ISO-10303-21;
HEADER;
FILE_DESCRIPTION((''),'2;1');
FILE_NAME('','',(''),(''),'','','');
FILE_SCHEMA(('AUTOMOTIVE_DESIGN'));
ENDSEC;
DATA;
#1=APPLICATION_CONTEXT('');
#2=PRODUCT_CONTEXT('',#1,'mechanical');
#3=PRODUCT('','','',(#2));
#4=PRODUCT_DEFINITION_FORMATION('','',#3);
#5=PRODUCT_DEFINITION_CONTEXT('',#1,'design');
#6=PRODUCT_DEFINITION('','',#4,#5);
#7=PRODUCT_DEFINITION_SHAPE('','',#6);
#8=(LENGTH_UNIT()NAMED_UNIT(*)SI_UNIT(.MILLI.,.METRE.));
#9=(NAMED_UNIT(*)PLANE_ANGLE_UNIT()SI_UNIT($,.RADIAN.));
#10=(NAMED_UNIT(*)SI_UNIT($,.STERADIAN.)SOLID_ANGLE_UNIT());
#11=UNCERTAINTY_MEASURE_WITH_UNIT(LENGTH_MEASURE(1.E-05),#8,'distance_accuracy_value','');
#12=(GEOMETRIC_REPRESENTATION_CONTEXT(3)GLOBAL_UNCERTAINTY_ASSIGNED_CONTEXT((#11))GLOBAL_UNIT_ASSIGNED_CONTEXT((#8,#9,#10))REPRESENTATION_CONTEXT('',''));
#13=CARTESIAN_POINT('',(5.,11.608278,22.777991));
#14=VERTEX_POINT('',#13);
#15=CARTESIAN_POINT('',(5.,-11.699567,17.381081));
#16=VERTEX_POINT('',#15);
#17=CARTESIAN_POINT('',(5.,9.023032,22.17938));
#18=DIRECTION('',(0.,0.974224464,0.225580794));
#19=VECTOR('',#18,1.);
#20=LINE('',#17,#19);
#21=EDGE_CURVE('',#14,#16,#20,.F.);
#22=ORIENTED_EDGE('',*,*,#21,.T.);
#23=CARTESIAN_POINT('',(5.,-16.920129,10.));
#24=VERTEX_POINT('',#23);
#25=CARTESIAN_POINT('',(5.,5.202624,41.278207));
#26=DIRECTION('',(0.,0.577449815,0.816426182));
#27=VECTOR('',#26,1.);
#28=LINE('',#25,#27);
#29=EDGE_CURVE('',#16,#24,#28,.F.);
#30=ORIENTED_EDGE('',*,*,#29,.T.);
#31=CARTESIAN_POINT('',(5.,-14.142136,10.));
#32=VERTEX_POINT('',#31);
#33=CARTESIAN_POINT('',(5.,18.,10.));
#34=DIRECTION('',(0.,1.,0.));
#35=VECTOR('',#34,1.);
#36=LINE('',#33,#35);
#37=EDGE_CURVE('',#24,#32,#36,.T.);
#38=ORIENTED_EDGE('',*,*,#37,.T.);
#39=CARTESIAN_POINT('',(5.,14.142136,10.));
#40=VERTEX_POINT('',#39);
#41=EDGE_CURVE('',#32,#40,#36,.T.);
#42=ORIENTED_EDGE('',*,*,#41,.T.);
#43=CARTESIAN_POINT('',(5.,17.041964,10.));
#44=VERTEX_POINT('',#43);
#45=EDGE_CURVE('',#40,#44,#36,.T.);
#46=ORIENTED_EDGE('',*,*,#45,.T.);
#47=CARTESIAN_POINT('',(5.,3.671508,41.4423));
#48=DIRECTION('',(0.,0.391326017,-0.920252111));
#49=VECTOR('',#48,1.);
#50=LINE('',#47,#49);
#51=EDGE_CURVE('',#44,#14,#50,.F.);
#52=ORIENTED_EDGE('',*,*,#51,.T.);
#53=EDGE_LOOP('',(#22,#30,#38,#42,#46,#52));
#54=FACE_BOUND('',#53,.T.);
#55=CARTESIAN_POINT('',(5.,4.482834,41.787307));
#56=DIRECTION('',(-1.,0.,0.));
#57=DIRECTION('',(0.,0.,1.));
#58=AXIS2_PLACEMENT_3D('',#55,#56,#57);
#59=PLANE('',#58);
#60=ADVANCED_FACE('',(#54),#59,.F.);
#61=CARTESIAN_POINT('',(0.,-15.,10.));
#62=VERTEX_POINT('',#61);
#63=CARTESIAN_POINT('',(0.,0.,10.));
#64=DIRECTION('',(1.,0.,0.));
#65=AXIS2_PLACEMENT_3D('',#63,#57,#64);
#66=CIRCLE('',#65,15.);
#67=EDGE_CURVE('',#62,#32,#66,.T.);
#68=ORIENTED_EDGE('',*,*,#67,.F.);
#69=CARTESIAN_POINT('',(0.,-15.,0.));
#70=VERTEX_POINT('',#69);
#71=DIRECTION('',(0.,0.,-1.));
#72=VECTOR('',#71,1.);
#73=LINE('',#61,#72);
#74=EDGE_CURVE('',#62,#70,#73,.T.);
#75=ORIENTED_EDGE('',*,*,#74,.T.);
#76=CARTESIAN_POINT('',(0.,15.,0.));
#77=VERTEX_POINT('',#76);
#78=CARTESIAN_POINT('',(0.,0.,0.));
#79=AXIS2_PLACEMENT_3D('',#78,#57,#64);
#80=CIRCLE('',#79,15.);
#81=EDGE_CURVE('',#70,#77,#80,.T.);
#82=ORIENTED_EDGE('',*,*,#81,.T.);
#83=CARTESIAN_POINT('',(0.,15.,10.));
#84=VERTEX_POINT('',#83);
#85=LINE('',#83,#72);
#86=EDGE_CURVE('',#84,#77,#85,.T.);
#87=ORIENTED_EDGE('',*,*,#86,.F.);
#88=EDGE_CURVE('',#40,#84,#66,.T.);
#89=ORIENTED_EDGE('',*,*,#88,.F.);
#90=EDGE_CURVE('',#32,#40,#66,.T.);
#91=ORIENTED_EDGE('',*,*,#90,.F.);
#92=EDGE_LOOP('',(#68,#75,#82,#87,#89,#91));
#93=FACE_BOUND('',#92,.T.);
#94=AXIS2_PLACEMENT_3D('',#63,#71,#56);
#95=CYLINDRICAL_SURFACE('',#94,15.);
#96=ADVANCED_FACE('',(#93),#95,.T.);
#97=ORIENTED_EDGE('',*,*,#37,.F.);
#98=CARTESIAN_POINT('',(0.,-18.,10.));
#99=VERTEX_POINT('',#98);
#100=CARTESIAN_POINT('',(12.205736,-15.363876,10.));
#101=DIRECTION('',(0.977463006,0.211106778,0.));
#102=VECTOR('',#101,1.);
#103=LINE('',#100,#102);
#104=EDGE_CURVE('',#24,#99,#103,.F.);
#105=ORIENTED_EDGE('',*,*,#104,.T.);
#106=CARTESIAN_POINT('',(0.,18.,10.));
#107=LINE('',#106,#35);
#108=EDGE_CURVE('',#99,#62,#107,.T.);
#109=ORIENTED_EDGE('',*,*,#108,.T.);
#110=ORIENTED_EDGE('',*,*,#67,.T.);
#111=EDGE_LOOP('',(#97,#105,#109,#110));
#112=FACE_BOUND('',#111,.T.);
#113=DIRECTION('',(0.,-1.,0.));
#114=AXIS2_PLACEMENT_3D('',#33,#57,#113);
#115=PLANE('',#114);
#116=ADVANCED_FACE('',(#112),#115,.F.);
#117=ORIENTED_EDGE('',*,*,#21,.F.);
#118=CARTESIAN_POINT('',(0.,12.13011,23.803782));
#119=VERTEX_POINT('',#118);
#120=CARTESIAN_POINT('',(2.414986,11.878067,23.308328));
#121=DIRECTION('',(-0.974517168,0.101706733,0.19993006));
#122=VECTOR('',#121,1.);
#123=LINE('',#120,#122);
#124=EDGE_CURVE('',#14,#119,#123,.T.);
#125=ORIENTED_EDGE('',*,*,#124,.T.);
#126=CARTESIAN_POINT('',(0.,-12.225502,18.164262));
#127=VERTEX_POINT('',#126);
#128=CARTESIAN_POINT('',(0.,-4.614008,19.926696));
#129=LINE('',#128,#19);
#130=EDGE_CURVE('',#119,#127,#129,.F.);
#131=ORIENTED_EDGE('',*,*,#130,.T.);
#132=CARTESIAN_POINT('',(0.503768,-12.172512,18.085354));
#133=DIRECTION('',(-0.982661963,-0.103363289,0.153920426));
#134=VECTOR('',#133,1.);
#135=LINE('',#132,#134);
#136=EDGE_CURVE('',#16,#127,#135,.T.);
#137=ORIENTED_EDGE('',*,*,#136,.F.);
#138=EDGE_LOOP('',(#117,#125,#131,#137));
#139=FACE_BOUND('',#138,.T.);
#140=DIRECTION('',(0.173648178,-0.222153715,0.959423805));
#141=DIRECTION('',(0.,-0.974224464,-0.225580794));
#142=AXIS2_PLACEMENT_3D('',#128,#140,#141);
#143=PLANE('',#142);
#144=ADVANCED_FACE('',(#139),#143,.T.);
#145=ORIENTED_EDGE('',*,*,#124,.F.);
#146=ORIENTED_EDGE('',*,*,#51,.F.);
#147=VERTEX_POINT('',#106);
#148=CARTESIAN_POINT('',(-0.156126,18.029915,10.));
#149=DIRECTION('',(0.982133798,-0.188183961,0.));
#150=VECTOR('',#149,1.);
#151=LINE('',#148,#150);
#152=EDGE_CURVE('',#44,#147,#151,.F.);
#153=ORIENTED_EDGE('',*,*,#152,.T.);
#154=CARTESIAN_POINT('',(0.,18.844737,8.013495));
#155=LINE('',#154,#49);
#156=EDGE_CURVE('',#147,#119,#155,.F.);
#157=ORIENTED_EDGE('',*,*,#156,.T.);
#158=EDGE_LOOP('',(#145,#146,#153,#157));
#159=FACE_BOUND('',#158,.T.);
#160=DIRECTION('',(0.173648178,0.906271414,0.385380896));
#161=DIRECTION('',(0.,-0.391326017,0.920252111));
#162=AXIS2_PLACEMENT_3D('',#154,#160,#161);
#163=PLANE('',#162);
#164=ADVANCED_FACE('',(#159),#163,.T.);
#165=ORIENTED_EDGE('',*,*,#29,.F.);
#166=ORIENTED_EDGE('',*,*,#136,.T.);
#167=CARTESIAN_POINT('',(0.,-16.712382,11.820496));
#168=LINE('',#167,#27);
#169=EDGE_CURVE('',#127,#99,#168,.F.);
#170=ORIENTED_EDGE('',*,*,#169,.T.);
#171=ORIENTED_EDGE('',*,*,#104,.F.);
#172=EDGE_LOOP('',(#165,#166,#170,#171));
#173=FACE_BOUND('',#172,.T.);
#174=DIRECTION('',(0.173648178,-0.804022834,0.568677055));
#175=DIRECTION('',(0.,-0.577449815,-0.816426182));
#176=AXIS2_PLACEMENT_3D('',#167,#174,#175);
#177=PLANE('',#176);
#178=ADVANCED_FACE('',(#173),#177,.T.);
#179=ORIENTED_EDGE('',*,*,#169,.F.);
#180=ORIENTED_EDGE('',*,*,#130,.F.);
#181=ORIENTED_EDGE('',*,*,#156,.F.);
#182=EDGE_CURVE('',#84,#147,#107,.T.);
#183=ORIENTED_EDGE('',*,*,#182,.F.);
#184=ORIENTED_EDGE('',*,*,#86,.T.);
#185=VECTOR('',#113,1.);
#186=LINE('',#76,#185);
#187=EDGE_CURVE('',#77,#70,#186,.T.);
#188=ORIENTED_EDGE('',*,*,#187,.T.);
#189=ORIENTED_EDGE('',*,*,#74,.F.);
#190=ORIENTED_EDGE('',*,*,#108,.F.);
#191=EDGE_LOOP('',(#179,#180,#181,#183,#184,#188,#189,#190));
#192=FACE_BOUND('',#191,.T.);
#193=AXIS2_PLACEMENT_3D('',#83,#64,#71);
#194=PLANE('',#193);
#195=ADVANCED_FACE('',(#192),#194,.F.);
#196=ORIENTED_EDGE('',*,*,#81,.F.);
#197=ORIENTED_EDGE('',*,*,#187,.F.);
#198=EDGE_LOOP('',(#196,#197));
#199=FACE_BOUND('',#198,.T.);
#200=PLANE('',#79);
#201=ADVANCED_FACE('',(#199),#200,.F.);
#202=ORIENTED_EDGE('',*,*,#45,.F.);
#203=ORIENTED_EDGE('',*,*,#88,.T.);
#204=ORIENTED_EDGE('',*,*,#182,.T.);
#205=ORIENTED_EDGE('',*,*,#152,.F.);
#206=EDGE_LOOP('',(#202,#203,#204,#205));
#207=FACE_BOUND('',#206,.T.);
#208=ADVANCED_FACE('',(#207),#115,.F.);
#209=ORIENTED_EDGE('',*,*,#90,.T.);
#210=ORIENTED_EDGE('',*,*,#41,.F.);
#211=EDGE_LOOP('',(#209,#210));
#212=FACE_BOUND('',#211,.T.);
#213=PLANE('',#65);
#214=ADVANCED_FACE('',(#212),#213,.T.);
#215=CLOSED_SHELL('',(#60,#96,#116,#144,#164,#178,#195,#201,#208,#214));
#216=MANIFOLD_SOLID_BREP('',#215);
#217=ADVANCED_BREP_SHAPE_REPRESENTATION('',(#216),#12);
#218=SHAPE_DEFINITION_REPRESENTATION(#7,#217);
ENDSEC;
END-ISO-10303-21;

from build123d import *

# Parameters (mm, degrees)
EXTRUDE1_DEPTH = 10
EXTRUDE2_DEPTH = 5
DRAFT1_ANGLE   = 10


with BuildPart() as part:
    # Sketch1 → Extrude1 (new body)
    with BuildSketch(Plane.XY):
        with BuildLine():
            Line((0, 15), (0, -15))
            ThreePointArc((0, -15), (15, 0), (0, 15))
        make_face()
    extrude(amount=EXTRUDE1_DEPTH)

    # Sketch2 → Extrude2 (add)
    with BuildSketch(Plane(origin=(0, 0, 0), x_dir=(0, 0, -1), z_dir=(1, 0, 0))):
        Polygon((-10, 18), (-10, -18), (-18.164261824, -12.225501851), (-23.803781668, 12.130109739), align=None)
    extrude(amount=EXTRUDE2_DEPTH)

    # Draft1
    draft1_faces = [part.faces().sort_by_distance(p)[0] for p in [
        (2.5, -15.112750925, 14.082130912),
        (2.5, -0.047696056, 20.984021746),
        (2.5, 15.06505487, 16.901890834),
    ]]
    draft(draft1_faces, Plane(origin=(0, 0, 0), x_dir=(0, 0, 1), z_dir=(1, 0, 0)), DRAFT1_ANGLE)


solid = part.part
